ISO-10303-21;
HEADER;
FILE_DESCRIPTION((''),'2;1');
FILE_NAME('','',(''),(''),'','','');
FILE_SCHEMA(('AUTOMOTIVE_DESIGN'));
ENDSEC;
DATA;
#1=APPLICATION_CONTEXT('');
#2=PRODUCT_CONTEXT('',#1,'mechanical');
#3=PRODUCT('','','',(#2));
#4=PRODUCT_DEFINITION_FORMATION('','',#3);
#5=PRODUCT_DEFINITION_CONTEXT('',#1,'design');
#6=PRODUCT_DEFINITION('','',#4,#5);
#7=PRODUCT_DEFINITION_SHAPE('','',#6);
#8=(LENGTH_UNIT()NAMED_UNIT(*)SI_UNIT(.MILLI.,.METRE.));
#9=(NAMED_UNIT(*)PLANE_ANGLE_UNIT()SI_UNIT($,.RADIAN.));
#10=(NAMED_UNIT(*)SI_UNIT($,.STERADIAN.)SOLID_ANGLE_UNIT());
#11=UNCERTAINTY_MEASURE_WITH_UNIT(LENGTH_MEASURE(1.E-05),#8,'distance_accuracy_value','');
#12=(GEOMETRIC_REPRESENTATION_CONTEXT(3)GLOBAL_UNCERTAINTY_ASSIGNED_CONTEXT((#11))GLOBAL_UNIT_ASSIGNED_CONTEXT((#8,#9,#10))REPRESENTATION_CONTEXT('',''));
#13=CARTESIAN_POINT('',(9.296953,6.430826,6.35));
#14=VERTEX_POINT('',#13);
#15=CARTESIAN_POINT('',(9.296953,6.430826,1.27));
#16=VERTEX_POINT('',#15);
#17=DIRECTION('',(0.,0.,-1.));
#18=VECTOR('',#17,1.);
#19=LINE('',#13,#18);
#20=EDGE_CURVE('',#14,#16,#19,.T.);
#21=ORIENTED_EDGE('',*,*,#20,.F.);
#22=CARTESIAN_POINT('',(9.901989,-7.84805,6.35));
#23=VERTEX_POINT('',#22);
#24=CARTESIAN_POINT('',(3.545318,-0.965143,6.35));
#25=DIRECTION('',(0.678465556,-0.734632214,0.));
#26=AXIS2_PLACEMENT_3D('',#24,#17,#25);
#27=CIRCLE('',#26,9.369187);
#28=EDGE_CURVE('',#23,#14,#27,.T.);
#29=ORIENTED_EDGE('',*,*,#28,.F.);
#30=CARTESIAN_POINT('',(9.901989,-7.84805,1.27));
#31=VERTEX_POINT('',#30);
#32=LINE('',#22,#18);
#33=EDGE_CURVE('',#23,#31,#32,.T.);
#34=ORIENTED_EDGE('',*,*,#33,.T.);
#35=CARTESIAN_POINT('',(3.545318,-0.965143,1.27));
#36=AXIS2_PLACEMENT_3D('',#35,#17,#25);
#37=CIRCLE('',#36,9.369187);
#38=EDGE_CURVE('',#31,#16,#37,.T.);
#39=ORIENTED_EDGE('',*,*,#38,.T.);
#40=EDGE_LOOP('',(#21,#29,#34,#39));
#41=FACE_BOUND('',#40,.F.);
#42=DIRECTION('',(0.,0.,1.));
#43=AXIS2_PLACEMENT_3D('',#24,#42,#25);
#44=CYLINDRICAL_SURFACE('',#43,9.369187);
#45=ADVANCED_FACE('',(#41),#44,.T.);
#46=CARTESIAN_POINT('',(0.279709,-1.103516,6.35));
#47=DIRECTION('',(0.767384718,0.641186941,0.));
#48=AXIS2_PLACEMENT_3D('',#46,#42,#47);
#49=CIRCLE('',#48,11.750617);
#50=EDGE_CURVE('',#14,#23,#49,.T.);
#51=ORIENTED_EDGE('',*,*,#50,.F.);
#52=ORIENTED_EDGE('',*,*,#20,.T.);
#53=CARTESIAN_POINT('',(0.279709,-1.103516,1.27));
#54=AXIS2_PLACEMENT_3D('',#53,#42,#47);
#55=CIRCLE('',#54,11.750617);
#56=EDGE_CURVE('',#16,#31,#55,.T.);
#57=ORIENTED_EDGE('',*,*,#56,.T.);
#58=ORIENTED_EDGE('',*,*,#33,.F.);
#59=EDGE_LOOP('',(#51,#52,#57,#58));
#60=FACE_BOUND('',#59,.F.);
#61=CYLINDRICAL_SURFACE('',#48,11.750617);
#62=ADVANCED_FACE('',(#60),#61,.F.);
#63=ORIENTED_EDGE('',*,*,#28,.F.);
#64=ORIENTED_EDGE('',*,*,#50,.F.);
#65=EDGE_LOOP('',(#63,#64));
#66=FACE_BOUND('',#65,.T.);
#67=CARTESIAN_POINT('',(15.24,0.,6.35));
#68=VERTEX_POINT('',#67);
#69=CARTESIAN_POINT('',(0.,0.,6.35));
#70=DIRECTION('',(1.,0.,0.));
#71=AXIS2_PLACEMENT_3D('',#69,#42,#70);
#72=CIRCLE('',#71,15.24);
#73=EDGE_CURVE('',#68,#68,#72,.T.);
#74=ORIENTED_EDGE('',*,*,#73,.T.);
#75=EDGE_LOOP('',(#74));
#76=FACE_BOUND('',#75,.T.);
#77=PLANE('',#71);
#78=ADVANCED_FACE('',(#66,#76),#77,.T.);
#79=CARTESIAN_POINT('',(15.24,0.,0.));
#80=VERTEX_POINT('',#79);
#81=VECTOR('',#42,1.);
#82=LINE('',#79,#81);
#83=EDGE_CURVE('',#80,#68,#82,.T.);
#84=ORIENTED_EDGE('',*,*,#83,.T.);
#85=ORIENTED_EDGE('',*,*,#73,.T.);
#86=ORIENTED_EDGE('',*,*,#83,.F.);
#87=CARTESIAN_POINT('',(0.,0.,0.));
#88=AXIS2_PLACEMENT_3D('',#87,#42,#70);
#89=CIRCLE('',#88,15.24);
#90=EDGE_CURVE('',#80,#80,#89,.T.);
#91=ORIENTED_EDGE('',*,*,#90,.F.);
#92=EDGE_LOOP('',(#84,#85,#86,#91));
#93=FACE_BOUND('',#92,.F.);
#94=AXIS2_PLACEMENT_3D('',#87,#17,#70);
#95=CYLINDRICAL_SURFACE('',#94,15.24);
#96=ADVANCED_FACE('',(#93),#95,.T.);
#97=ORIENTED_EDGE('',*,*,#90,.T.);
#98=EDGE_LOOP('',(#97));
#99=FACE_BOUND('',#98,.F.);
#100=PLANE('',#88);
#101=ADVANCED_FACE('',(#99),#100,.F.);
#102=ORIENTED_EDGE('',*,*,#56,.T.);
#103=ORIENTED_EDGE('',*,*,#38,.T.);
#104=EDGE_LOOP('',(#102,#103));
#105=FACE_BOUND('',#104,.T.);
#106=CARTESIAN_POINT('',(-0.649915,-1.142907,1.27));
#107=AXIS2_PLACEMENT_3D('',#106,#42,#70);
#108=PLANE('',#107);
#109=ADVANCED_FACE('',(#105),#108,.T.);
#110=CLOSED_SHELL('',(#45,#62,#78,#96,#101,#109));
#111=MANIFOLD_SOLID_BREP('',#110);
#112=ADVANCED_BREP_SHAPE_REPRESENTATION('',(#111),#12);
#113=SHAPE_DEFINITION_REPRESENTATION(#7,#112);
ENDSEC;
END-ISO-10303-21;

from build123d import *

# Parameters (mm, degrees)
F0_R     = 15.24
F1_DEPTH = 6.35
F3_DEPTH = 5.08


with BuildPart() as f1:
    # F0 (on Top) → F1 (new body)
    with BuildSketch(Plane.XY):
        Circle(F0_R)
    extrude(amount=F1_DEPTH)

    # F2 (on face) → F3 (cut)
    with BuildSketch(Plane.XY.offset(6.35)):
        with BuildLine():
            ThreePointArc((9.901989, -7.84805), (-5.815469, -1.361786), (9.296953, 6.430826))
            ThreePointArc((9.296953, 6.430826), (-11.460374, -1.600977), (9.901989, -7.84805))
        make_face()
    extrude(amount=-F3_DEPTH, mode=Mode.SUBTRACT)


solid = f1.part
